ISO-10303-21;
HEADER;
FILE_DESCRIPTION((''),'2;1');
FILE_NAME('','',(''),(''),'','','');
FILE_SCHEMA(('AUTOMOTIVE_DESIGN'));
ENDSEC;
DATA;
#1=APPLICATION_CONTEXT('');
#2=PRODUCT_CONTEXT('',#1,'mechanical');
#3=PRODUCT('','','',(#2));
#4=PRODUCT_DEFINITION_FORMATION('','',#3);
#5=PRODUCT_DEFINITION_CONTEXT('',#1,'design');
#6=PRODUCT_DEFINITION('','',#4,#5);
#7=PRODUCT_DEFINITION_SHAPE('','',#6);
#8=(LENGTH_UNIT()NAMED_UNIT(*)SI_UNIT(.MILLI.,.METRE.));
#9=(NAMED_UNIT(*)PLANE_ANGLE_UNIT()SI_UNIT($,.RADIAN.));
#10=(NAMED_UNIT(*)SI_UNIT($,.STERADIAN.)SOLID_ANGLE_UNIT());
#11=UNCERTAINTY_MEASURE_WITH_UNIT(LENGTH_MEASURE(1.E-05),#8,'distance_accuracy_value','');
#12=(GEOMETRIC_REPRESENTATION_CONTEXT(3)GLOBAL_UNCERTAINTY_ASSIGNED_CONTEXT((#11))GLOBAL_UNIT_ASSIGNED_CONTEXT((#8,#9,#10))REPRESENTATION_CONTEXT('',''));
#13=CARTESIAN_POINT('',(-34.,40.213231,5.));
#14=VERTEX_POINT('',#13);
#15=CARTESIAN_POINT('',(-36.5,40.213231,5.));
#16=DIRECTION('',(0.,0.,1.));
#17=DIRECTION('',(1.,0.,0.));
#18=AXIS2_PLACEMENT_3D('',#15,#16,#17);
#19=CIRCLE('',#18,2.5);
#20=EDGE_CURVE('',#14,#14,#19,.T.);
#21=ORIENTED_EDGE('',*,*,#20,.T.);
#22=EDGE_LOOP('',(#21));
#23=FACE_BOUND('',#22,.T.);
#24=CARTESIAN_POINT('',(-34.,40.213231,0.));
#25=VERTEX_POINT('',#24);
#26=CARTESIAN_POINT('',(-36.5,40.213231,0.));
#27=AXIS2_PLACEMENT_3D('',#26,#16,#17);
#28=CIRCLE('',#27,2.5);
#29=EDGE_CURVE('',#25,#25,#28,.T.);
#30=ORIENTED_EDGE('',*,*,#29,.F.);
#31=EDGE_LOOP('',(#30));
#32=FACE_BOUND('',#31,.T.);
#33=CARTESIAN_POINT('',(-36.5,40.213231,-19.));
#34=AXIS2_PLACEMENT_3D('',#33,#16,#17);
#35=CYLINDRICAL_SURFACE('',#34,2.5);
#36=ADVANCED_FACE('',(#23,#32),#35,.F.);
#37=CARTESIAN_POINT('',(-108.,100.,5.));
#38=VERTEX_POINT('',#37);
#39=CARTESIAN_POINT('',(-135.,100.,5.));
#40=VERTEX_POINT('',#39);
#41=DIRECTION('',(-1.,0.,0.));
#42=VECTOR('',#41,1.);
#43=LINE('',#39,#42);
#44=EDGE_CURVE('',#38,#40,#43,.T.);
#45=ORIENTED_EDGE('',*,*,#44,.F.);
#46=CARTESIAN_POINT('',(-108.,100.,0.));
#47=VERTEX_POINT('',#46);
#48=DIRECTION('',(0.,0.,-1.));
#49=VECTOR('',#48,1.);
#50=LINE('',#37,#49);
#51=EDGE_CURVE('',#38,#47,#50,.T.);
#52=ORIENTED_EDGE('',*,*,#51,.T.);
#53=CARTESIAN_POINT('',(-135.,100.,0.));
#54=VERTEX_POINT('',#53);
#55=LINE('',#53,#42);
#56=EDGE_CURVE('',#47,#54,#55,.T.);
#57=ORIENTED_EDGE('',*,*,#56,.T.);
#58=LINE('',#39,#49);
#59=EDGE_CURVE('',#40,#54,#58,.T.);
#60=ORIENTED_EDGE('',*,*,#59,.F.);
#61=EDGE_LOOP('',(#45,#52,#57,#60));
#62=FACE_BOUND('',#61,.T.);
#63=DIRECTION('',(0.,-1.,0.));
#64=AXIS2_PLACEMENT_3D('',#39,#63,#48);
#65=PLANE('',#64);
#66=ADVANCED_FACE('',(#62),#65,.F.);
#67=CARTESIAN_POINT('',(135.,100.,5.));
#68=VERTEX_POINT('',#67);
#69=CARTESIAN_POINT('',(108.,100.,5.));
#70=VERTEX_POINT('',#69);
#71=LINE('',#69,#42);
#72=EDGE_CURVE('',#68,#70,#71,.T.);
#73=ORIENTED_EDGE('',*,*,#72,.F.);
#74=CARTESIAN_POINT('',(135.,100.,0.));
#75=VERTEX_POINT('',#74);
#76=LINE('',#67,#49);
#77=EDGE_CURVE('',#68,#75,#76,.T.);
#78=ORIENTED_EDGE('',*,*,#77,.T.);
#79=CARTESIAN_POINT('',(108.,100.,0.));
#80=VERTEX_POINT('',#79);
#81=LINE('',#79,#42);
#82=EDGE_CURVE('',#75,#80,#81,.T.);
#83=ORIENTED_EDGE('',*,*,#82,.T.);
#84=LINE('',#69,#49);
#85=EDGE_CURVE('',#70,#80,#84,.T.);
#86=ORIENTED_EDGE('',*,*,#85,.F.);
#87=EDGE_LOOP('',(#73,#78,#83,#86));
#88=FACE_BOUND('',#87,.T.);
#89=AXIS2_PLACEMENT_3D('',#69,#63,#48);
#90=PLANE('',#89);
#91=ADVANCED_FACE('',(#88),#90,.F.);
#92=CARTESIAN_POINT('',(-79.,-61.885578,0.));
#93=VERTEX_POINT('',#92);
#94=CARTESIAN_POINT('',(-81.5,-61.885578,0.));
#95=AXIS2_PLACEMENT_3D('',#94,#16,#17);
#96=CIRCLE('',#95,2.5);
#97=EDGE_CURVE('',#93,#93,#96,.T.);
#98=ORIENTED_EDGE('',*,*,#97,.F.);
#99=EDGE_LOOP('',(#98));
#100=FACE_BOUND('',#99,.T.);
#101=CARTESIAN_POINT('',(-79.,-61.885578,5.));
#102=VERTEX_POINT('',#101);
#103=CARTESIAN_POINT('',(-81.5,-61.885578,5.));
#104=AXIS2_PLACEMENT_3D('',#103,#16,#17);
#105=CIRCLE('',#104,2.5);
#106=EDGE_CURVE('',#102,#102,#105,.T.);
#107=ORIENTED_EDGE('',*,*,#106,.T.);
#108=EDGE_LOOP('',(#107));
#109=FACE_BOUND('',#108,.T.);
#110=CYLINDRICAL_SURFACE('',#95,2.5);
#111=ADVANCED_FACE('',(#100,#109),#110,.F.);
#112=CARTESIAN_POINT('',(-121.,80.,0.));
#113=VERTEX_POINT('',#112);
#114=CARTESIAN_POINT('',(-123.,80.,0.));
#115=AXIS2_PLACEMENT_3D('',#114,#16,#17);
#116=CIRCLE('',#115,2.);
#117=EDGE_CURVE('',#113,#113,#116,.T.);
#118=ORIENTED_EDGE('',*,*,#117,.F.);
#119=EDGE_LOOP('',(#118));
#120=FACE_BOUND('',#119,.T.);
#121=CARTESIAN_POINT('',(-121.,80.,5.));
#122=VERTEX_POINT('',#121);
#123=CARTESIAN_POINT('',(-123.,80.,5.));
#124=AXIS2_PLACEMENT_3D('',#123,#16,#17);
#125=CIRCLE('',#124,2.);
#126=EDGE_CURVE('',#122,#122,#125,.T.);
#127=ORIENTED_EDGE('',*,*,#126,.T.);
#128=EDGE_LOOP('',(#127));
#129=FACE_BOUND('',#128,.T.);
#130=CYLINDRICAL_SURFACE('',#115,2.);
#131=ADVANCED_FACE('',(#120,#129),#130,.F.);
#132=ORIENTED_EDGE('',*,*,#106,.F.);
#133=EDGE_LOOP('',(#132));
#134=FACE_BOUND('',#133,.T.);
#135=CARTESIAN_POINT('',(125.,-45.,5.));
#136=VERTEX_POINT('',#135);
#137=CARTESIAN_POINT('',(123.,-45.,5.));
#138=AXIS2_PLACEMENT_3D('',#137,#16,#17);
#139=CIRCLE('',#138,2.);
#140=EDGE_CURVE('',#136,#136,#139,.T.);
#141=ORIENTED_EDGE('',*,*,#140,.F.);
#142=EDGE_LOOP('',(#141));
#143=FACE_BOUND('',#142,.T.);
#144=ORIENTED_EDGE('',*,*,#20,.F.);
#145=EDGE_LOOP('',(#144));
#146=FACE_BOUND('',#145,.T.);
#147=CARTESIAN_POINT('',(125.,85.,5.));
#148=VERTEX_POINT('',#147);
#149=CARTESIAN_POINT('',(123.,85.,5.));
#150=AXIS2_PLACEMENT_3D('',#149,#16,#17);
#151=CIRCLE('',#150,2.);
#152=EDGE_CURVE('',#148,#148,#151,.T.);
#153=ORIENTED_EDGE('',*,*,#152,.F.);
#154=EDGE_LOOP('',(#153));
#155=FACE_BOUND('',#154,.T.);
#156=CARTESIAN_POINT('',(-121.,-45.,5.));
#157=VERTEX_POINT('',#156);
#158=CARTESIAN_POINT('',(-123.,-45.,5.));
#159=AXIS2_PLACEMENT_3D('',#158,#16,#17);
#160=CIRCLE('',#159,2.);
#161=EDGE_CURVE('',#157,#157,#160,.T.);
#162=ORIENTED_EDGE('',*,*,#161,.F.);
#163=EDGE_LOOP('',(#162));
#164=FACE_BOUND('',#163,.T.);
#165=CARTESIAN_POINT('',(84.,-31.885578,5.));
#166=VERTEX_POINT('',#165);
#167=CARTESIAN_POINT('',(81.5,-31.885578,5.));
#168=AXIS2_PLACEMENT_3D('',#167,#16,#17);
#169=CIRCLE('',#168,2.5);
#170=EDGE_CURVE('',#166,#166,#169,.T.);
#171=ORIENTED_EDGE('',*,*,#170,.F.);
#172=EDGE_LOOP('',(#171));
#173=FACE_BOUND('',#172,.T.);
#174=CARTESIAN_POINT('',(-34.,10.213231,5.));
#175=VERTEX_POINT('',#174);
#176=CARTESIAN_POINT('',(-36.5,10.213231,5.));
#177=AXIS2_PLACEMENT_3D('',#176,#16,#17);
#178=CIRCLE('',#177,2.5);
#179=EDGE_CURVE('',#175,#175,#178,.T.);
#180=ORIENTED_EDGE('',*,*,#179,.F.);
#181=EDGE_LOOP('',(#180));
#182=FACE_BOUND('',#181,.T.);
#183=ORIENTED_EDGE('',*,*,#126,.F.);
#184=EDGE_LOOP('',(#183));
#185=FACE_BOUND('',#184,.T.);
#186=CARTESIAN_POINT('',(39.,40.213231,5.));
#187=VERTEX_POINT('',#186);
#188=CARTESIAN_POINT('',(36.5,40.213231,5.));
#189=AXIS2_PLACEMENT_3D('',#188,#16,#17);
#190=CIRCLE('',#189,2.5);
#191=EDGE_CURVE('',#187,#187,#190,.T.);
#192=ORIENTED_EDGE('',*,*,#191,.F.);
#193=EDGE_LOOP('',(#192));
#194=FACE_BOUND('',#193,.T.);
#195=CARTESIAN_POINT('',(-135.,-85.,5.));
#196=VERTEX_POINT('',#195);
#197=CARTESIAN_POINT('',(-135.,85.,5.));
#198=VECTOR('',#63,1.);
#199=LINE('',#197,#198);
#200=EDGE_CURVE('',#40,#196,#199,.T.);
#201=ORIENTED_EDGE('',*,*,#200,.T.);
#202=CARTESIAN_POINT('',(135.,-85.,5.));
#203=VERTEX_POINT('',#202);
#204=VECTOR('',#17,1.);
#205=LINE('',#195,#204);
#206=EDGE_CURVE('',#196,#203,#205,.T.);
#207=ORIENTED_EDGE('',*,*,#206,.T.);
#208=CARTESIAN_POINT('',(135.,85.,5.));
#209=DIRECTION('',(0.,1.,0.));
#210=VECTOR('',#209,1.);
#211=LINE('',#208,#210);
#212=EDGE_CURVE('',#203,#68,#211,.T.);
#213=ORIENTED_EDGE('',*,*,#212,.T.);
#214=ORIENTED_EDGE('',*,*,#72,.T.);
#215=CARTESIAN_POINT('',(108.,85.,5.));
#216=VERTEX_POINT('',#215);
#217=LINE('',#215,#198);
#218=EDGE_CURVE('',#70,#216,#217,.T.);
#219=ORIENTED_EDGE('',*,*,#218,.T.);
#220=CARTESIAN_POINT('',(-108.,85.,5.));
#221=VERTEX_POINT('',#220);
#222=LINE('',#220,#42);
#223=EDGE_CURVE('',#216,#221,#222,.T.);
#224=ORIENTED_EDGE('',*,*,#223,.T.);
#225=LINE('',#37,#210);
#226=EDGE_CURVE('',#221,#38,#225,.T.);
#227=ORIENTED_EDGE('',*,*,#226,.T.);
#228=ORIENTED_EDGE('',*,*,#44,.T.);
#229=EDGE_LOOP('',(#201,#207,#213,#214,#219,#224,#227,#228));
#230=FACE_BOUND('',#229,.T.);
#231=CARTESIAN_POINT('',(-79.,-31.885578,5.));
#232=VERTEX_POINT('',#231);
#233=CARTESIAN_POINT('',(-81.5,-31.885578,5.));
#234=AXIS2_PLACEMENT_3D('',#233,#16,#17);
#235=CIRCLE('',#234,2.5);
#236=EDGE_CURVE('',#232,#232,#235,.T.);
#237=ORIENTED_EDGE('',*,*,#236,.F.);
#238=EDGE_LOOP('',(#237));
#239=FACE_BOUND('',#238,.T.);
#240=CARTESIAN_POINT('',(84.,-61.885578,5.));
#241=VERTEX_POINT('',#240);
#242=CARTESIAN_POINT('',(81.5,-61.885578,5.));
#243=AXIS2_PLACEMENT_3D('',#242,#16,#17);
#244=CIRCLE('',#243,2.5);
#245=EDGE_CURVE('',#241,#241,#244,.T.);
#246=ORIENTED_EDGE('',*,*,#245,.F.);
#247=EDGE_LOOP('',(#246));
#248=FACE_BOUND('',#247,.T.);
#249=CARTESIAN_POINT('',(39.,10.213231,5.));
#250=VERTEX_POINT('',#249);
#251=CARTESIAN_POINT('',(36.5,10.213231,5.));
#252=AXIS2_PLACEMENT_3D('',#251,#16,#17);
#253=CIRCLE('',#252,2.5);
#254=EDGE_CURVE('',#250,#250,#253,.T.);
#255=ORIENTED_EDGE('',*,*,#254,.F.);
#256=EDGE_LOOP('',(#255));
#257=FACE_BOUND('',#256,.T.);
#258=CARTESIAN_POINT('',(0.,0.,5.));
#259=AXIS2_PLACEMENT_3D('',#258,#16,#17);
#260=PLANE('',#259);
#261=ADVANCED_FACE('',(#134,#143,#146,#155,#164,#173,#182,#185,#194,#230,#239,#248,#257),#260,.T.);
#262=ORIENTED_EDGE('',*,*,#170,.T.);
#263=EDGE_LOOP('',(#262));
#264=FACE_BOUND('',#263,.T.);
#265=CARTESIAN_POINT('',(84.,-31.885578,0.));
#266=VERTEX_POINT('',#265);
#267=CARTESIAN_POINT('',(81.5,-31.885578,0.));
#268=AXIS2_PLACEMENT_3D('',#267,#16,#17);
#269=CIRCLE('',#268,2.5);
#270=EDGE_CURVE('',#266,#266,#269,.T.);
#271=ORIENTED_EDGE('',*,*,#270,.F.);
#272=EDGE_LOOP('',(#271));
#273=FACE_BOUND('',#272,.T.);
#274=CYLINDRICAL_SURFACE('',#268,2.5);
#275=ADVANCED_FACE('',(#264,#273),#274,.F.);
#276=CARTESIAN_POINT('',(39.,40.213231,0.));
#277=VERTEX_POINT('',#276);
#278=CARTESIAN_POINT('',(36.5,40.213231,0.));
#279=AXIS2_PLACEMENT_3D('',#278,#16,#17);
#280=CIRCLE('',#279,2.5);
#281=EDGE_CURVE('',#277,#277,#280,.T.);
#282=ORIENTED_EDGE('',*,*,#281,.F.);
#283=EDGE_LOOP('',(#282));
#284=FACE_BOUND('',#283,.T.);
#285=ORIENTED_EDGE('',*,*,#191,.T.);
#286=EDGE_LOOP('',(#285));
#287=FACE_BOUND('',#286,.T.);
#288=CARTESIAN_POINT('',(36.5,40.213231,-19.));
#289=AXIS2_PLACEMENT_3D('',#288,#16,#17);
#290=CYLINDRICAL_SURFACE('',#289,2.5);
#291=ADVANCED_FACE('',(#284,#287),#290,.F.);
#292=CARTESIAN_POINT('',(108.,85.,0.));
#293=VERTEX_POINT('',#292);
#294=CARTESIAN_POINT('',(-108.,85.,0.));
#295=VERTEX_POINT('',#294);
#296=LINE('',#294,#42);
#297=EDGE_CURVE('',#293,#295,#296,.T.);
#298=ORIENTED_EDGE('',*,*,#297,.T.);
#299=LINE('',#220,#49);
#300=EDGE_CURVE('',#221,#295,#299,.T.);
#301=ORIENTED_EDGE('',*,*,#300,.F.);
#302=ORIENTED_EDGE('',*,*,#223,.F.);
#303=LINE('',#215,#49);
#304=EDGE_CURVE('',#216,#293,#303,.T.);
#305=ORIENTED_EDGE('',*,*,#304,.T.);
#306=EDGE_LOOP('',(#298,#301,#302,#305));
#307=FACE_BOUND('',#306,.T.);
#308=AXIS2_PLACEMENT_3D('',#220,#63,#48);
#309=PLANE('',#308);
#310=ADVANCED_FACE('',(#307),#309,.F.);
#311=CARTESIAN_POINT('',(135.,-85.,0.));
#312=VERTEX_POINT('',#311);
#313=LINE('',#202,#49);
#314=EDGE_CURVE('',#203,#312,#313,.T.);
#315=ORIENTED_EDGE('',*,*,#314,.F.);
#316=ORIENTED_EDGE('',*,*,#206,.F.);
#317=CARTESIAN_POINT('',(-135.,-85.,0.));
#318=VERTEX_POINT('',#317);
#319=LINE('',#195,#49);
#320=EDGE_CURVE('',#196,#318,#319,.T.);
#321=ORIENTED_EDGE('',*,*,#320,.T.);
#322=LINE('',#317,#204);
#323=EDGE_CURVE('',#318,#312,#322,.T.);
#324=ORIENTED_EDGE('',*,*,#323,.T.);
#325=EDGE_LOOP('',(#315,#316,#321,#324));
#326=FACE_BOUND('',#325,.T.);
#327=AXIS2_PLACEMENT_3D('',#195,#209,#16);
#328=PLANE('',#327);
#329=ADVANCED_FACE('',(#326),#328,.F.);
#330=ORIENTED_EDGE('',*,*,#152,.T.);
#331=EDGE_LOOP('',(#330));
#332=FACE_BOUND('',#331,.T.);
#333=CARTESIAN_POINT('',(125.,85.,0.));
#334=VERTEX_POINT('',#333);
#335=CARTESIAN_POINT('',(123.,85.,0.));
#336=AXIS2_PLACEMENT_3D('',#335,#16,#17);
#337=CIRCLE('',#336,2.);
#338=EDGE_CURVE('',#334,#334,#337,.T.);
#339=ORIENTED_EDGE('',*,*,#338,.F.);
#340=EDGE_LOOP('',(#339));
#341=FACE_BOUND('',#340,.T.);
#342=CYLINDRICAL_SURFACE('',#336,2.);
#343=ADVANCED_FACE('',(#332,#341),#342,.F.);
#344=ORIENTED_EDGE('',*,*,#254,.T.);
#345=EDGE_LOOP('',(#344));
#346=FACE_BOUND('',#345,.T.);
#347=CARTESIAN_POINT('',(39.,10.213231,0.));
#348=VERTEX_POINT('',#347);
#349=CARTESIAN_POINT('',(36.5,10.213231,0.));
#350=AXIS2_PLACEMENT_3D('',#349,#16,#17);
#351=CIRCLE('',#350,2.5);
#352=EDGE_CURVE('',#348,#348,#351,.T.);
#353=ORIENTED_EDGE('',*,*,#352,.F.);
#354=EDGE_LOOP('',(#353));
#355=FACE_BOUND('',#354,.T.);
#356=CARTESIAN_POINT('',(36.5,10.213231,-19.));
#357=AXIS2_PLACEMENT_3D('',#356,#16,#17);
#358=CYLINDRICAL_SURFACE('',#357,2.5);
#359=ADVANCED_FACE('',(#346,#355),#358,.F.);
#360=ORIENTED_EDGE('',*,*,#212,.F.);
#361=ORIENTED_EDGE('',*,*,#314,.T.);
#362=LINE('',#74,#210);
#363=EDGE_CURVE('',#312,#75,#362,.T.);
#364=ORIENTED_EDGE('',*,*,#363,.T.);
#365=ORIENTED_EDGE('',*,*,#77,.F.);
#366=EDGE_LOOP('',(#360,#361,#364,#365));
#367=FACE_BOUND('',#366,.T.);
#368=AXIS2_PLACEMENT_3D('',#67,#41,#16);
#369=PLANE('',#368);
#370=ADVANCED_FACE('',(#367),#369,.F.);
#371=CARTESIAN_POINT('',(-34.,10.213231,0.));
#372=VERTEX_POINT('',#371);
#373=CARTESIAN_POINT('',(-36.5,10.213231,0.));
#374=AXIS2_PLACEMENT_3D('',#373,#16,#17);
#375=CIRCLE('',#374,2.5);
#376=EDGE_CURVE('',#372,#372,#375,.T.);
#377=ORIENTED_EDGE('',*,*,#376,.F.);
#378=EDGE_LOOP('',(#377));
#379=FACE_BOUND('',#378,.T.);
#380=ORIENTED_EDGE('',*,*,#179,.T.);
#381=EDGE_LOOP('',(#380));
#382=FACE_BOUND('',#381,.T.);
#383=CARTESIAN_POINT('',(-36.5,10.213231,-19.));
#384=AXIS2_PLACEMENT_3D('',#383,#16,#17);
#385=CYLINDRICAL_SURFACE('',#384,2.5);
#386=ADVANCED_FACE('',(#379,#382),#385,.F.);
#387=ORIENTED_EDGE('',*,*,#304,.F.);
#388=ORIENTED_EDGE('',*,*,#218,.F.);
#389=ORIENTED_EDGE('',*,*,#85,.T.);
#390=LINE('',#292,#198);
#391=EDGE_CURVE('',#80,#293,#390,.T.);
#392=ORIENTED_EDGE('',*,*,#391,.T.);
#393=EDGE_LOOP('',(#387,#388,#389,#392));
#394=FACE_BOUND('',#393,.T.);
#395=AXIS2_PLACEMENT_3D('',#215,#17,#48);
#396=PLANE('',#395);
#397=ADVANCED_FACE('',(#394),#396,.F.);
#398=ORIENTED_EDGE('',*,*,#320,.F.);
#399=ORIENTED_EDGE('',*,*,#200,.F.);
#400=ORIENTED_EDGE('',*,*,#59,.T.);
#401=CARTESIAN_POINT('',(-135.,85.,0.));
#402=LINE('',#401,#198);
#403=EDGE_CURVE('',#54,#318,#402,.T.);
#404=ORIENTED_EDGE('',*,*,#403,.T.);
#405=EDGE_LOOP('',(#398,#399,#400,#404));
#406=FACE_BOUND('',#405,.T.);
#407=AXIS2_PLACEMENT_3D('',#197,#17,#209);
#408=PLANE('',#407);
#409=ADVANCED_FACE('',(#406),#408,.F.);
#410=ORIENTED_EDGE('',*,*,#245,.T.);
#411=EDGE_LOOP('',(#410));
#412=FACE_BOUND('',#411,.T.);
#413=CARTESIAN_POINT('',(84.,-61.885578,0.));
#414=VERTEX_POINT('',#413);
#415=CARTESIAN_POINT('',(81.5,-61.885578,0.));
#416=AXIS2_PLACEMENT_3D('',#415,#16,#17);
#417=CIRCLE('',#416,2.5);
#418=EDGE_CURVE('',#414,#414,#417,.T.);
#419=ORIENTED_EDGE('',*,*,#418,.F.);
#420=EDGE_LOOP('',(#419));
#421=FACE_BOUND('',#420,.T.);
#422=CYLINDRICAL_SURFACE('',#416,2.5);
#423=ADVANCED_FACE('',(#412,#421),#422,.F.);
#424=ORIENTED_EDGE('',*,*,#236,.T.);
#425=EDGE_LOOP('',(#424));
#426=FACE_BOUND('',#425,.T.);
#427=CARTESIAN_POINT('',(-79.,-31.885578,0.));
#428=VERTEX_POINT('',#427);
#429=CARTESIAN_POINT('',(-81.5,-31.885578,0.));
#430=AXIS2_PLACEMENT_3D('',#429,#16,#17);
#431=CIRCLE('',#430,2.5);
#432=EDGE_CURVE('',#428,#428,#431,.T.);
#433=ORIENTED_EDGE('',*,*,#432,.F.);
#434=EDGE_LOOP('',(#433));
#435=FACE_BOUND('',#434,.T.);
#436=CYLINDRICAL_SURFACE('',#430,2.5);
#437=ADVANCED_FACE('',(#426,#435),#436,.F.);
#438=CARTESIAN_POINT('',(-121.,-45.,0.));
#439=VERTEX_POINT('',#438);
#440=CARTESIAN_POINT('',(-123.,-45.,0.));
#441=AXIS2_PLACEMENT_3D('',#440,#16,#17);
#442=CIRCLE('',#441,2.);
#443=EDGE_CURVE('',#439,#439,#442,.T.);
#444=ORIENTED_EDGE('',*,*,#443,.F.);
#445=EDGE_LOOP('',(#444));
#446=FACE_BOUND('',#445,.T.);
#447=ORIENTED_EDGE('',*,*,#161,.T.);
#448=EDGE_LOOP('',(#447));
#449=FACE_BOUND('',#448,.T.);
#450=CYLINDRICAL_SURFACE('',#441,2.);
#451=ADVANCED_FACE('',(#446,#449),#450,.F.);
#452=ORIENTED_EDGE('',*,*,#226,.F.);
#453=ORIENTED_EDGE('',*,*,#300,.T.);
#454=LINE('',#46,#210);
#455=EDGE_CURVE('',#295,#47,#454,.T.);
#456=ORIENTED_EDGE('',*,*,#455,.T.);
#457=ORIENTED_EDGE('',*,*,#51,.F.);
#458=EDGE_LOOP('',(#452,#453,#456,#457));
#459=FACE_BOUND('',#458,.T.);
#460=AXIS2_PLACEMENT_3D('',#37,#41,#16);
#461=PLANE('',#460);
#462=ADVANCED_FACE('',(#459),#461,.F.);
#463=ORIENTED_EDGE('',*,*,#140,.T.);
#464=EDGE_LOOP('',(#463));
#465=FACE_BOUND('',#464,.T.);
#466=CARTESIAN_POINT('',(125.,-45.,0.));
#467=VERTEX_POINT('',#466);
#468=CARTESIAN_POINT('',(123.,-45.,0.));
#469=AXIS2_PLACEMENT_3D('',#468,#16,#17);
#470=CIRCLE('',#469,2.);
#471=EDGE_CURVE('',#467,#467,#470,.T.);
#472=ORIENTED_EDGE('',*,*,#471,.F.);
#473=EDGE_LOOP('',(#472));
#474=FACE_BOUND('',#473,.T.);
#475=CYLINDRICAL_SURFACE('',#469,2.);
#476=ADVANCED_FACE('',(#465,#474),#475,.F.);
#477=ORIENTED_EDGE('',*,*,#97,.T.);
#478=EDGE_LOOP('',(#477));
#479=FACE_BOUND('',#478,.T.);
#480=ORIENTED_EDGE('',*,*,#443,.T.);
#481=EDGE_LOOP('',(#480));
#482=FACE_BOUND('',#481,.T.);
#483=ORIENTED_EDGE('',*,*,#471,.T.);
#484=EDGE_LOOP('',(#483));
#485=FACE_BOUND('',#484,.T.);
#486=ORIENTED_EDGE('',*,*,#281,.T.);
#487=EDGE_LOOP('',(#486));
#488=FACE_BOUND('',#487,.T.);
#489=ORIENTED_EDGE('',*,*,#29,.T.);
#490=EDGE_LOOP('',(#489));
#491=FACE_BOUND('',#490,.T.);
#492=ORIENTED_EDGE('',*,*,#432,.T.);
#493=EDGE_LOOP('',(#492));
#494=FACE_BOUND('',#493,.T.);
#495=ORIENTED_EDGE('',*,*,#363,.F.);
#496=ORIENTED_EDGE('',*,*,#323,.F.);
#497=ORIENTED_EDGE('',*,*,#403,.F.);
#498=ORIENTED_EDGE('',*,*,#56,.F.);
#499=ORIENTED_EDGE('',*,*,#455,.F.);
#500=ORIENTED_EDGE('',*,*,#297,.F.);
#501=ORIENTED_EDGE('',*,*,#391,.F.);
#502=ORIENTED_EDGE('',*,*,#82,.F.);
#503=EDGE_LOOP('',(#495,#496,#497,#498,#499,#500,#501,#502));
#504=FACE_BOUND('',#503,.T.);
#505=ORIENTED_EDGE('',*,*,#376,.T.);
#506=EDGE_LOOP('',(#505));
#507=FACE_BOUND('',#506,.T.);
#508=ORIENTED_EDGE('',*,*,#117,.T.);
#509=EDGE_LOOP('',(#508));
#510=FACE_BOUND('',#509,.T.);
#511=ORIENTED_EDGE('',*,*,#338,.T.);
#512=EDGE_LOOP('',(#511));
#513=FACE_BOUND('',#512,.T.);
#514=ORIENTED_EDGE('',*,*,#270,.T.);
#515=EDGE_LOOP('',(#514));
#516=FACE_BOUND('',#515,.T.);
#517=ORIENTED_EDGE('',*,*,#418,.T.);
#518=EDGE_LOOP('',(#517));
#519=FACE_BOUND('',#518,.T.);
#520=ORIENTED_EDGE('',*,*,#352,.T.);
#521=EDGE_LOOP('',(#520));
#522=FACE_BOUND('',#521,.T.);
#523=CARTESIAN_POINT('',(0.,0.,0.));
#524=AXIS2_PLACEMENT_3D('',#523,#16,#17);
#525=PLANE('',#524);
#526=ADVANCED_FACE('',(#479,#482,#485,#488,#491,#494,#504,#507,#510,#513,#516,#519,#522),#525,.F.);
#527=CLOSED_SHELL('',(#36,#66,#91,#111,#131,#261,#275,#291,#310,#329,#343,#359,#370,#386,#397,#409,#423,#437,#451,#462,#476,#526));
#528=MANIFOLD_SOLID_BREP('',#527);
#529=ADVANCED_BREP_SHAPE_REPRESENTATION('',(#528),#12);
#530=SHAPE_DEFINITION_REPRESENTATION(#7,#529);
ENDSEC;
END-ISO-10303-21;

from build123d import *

# Parameters (mm, degrees)
BOSS_EXTRU_1_DEPTH      = 5
ESQUISSE2_R             = 2
ENL_V_MAT_EXTRU_1_DEPTH = 169.07736314
SKETCH1_R               = 2.5
CUT_EXTRUDE1_DEPTH      = 169.07736314
SKETCH2_R               = 2.5
CUT_EXTRUDE2_DEPTH      = 24


with BuildPart() as part:
    # Esquisse1 → Boss.-Extru.1 (new body)
    with BuildSketch(Plane.XY):
        Polygon((-135, 85), (-135, 100), (-108, 100), (-108, 85), (108, 85), (108, 100), (135, 100), (135, 85), (135, -85), (-135, -85), align=None)
    extrude(amount=BOSS_EXTRU_1_DEPTH)

    # Esquisse2 → Enlèv. mat.-Extru.1 (cut, through all)
    with BuildSketch(Plane.XY.offset(5)):
        with Locations((-123, -45)):
            Circle(ESQUISSE2_R)
        with Locations((-123, 80)):
            Circle(ESQUISSE2_R)
        with Locations((123, -45)):
            Circle(ESQUISSE2_R)
        with Locations((123, 85)):
            Circle(ESQUISSE2_R)
    extrude(amount=-ENL_V_MAT_EXTRU_1_DEPTH, mode=Mode.SUBTRACT)

    # Sketch1 → Cut-Extrude1 (cut, through all)
    with BuildSketch(Plane.XY.offset(5)):
        with Locations((81.5, -31.885578019)):
            Circle(SKETCH1_R)
        with Locations((81.5, -61.885578019)):
            Circle(SKETCH1_R)
        with Locations((-81.5, -61.885578019)):
            Circle(SKETCH1_R)
        with Locations((-81.5, -31.885578019)):
            Circle(SKETCH1_R)
    extrude(amount=-CUT_EXTRUDE1_DEPTH, mode=Mode.SUBTRACT)

    # Sketch2 → Cut-Extrude2 (cut)
    with BuildSketch(Plane.XY.offset(5)):
        with Locations((36.5, 40.213230892)):
            Circle(SKETCH2_R)
        with Locations((36.5, 10.213230892)):
            Circle(SKETCH2_R)
        with Locations((-36.5, 10.213230892)):
            Circle(SKETCH2_R)
        with Locations((-36.5, 40.213230892)):
            Circle(SKETCH2_R)
    extrude(amount=-CUT_EXTRUDE2_DEPTH, mode=Mode.SUBTRACT)


solid = part.part
